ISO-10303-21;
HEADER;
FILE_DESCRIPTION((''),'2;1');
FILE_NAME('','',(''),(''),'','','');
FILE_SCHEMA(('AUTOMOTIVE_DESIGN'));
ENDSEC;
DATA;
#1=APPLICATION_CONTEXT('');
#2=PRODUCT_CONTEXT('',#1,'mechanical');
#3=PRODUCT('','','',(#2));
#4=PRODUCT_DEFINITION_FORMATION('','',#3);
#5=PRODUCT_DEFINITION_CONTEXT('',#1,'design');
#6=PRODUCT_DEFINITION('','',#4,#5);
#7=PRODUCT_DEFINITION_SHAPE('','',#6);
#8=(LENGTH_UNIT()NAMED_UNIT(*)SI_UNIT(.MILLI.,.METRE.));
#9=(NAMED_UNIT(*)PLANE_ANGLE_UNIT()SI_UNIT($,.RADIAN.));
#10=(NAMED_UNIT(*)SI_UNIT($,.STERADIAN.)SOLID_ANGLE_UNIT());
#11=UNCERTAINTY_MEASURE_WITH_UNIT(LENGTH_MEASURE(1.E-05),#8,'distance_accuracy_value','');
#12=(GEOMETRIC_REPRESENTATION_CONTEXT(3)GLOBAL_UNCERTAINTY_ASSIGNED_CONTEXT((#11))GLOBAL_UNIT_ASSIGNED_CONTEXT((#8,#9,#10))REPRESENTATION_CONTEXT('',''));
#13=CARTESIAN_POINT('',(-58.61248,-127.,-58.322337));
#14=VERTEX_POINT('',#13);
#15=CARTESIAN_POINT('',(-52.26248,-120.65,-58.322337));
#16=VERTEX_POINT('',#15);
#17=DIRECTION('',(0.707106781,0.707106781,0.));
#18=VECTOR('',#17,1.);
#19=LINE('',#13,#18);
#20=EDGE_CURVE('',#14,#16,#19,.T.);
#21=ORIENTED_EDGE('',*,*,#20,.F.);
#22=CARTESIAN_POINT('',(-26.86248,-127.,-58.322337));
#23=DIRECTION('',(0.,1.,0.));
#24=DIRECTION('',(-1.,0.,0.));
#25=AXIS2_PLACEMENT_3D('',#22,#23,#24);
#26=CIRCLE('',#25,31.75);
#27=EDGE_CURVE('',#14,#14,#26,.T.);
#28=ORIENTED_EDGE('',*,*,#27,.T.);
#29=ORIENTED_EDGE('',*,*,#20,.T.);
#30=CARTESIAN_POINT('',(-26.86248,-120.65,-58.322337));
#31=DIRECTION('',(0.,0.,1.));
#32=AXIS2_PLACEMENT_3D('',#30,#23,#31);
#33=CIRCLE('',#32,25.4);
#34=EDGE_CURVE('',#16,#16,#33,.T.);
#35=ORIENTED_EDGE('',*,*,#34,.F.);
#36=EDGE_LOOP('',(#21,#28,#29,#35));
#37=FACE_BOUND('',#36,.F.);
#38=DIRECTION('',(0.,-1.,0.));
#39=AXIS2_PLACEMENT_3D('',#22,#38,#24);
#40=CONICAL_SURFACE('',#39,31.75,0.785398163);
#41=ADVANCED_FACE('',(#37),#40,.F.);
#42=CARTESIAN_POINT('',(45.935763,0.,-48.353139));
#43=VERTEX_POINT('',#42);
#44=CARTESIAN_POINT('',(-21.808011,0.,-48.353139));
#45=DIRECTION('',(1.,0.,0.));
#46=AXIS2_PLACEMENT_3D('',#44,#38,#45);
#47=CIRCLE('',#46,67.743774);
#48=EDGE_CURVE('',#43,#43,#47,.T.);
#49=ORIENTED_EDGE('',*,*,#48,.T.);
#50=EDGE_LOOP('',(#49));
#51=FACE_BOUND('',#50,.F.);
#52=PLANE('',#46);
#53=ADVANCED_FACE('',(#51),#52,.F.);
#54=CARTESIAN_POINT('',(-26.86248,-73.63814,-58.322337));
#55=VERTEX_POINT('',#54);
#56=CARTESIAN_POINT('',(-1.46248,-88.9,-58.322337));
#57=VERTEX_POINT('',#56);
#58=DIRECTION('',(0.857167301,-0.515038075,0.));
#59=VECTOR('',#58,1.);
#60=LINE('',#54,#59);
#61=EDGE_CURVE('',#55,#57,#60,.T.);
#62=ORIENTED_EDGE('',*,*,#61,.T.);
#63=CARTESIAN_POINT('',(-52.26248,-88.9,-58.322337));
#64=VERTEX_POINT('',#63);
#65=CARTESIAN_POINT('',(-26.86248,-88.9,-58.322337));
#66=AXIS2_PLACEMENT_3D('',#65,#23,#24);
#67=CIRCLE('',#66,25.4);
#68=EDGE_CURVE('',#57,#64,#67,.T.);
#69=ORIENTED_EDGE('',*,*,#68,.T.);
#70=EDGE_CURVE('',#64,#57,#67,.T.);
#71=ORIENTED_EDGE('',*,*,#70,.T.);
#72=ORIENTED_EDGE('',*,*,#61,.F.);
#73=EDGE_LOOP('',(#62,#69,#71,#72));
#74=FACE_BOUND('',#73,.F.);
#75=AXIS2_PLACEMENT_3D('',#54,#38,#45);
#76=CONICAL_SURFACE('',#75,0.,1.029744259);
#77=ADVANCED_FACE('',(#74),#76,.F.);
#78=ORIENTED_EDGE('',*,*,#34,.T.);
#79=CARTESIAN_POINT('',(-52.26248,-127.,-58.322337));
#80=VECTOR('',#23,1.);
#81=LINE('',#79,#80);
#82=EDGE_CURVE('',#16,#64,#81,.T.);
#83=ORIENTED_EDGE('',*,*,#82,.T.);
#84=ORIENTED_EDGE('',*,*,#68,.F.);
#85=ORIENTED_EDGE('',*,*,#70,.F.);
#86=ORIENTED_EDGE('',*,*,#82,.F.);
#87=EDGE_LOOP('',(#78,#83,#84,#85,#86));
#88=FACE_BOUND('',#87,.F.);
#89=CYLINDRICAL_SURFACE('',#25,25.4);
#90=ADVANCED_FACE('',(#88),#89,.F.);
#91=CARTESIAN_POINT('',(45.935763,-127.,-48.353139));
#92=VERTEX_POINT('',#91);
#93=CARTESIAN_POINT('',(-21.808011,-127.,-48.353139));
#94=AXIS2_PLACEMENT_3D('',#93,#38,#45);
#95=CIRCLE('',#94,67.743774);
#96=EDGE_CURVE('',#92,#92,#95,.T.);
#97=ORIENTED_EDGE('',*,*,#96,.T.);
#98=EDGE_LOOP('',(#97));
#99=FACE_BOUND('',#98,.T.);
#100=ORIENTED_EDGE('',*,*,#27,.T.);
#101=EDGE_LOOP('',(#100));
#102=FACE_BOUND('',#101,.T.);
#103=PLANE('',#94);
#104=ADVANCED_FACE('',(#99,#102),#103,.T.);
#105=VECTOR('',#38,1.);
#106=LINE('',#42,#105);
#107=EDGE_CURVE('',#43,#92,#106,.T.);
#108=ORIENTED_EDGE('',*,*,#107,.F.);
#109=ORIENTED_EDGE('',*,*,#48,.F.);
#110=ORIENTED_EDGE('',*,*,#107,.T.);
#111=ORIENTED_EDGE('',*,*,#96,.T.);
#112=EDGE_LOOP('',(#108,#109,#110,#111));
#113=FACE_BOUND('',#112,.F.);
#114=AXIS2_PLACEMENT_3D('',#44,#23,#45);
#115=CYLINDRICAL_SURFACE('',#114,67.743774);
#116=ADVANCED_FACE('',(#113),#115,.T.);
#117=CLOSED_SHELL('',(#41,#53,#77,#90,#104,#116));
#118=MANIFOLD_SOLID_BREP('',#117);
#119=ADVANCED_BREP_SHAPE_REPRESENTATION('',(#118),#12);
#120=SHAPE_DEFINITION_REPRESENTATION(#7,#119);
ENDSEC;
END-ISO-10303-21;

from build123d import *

# Parameters (mm, degrees)
F0_R           = 67.7437739652
F1_DEPTH       = 127
F3_D           = 50.8
F3_DEPTH       = 38.1
F3_CSINK_D     = 63.5
F3_CSINK_ANGLE = 90
F3_TIP         = 15.2618597233


with BuildPart() as f1:
    # F0 (on Front) → F1 (new body)
    with BuildSketch(Plane.XZ):
        with Locations((-21.8080106999, -48.3531389253)):
            Circle(F0_R)
    extrude(amount=F1_DEPTH)

    # F3
    with Locations(Plane.XZ.offset(127)):
        with Locations((-26.8624797463, -58.3223365247)):
            CounterSinkHole(F3_D / 2, F3_CSINK_D / 2, depth=F3_DEPTH, counter_sink_angle=F3_CSINK_ANGLE)
            with Locations((0, 0, -(F3_DEPTH + F3_TIP / 2))):  # 118° drill point
                Cone(0, F3_D / 2, F3_TIP, mode=Mode.SUBTRACT)


solid = f1.part
